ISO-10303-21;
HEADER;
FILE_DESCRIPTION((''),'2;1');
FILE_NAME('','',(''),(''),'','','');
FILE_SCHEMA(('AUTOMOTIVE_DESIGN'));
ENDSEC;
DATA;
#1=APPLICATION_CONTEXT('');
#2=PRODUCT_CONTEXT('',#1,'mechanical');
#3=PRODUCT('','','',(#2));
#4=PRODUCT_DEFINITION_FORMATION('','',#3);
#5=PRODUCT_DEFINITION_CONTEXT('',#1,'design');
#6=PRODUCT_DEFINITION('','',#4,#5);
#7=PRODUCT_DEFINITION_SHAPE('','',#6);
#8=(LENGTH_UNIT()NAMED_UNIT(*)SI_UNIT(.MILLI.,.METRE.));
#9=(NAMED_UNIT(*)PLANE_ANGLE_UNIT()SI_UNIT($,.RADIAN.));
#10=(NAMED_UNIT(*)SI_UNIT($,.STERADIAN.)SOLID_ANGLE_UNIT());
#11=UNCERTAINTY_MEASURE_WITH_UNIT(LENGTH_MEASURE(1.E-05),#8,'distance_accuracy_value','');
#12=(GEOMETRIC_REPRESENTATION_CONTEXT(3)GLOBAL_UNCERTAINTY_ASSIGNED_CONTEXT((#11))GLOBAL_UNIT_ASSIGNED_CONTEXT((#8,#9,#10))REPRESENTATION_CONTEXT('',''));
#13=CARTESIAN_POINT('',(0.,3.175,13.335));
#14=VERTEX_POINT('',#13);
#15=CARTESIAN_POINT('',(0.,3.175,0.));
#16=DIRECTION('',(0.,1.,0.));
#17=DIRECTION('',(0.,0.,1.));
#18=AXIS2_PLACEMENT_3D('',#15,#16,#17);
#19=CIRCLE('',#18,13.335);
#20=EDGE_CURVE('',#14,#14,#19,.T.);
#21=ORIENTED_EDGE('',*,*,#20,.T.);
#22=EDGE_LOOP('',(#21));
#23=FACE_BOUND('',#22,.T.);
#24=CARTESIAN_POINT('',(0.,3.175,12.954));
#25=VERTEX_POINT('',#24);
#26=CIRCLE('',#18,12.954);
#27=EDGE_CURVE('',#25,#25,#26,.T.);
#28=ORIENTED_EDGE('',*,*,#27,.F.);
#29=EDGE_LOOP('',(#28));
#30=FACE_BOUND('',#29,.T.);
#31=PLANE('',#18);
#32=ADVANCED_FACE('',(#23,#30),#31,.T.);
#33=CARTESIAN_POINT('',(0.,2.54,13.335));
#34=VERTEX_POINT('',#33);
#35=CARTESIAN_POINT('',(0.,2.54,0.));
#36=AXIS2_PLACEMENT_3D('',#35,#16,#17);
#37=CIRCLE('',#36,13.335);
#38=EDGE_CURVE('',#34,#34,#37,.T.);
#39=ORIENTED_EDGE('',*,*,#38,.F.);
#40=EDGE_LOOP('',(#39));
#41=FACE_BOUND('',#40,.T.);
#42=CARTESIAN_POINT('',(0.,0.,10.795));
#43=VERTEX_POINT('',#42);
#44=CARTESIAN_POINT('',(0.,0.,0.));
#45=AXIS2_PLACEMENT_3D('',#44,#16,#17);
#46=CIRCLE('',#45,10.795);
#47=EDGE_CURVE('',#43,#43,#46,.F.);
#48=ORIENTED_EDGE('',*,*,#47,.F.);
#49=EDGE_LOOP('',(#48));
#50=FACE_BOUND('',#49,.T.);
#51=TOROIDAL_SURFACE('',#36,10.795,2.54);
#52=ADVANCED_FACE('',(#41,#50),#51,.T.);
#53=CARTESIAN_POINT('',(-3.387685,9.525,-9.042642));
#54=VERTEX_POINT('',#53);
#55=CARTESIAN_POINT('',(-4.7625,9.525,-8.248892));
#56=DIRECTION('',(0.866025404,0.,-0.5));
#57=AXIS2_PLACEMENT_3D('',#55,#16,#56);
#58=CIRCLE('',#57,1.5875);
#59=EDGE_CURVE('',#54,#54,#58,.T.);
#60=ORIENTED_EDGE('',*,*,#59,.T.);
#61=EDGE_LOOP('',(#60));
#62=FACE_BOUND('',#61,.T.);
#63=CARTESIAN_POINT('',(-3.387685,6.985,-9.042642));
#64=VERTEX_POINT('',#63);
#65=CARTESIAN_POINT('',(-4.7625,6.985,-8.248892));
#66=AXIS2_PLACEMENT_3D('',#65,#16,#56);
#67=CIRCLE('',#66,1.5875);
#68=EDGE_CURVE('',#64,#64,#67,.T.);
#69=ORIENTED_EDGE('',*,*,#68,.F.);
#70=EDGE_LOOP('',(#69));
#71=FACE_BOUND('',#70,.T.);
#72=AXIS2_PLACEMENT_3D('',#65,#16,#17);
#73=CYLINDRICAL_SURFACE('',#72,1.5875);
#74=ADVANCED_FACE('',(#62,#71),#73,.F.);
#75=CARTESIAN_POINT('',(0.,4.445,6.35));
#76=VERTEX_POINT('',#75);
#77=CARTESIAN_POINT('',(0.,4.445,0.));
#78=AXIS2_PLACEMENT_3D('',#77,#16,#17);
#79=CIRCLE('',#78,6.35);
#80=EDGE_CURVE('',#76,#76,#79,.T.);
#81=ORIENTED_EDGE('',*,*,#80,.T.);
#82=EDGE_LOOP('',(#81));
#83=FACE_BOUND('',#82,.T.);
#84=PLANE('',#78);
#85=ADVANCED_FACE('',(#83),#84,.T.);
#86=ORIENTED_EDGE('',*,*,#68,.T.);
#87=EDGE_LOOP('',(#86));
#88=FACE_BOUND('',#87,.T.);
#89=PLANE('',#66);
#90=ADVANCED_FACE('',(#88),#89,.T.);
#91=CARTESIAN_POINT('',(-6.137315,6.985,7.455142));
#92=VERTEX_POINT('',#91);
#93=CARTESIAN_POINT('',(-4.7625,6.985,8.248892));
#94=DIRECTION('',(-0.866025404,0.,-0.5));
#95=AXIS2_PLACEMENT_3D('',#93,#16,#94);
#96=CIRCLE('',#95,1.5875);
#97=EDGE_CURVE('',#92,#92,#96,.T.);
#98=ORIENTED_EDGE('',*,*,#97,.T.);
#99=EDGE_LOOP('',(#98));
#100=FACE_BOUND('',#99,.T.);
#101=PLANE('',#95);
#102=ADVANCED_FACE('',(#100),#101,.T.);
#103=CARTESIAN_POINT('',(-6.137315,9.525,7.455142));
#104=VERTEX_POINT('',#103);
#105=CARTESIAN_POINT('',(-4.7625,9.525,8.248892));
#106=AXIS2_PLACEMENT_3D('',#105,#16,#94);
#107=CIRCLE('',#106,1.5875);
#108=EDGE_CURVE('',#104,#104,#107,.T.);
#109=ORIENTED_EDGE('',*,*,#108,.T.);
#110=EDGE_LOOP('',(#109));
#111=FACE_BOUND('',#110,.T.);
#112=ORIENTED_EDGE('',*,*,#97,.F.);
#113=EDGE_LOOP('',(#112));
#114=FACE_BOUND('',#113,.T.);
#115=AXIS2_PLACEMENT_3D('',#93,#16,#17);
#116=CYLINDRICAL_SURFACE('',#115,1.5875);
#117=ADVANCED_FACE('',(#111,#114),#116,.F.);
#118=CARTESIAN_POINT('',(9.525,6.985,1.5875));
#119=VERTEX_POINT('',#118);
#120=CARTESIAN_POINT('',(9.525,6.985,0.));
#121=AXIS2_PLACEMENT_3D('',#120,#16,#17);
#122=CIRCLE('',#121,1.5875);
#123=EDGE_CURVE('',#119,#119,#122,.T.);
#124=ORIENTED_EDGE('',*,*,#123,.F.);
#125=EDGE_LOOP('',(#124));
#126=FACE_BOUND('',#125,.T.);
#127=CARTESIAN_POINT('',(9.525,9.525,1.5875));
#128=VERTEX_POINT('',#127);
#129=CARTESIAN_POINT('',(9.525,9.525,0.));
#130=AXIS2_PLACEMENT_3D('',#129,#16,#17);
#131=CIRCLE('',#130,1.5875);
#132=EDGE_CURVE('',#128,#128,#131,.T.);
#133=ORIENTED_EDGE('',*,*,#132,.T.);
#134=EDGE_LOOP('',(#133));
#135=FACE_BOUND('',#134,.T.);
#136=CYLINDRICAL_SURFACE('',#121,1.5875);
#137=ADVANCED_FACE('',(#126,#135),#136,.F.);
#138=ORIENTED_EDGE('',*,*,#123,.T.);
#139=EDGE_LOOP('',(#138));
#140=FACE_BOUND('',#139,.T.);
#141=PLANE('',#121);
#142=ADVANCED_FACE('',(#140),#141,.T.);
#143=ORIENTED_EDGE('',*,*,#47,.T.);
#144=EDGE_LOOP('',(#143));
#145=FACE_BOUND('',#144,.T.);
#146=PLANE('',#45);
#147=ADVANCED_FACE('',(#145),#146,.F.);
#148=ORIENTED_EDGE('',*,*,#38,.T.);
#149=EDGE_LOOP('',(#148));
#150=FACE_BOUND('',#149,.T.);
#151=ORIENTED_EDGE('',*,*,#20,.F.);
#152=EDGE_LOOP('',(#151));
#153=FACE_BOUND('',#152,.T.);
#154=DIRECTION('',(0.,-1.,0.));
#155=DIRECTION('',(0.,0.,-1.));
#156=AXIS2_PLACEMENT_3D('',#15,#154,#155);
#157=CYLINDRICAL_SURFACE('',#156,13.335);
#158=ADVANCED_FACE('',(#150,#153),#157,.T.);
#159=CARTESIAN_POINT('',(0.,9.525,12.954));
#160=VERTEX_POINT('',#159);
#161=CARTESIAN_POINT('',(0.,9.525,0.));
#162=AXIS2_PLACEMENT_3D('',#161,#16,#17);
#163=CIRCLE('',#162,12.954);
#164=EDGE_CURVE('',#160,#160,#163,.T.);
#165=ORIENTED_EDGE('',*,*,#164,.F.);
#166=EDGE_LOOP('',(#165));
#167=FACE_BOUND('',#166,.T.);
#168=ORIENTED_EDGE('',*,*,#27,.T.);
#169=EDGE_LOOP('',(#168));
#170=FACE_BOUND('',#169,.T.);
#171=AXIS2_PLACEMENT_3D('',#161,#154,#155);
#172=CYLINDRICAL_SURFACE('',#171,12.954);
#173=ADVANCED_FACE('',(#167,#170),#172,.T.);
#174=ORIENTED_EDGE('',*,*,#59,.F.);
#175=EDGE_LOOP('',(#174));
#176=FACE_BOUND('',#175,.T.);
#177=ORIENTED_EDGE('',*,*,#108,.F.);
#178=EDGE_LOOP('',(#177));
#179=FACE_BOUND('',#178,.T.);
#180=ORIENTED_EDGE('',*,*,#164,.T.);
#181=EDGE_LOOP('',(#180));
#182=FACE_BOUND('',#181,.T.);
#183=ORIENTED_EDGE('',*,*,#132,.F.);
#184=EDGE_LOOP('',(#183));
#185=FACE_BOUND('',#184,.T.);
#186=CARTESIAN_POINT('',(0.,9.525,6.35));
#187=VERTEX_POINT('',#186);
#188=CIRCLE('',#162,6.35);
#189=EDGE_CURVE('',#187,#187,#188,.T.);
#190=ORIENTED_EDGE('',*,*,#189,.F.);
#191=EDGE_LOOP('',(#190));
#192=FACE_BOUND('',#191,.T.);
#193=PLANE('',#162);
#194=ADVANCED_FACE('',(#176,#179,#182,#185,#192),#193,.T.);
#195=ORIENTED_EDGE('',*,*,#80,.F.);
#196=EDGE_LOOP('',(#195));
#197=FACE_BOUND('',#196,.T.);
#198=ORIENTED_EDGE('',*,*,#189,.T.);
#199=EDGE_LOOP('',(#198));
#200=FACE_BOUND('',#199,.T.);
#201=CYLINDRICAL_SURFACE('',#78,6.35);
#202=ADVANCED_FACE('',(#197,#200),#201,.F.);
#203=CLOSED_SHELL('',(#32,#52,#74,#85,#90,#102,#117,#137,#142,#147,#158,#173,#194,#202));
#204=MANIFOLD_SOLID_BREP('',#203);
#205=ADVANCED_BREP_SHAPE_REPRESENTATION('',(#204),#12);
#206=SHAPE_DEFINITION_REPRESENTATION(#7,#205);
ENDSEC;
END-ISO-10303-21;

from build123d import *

# Parameters (mm, degrees)
SKETCH1_R           = 13.335
BOSS_EXTRUDE1_DEPTH = 3.175
SKETCH2_R           = 12.954
BOSS_EXTRUDE2_DEPTH = 6.35
SKETCH3_R           = 6.35
CUT_EXTRUDE2_DEPTH  = 5.08
SKETCH4_R           = 1.5875
CUT_EXTRUDE3_DEPTH  = 2.54
CIRPATTERN1_COUNT   = 3
FILLET1_R           = 2.54


with BuildPart() as part:
    # Sketch1 → Boss-Extrude1 (new body)
    with BuildSketch(Plane(origin=(0, 0, 0), x_dir=(1, 0, 0), z_dir=(0, 1, 0))):
        Circle(SKETCH1_R)
    extrude(amount=BOSS_EXTRUDE1_DEPTH)

    # Sketch2 → Boss-Extrude2 (add)
    with BuildSketch(Plane(origin=(0, 3.175, 0), x_dir=(1, 0, 0), z_dir=(0, 1, 0))):
        Circle(SKETCH2_R)
    extrude(amount=BOSS_EXTRUDE2_DEPTH)

    # Sketch3 → Cut-Extrude2 (cut)
    with BuildSketch(Plane(origin=(0, 9.525, 0), x_dir=(1, 0, 0), z_dir=(0, 1, 0))):
        Circle(SKETCH3_R)
    extrude(amount=-CUT_EXTRUDE2_DEPTH, mode=Mode.SUBTRACT)

    # Sketch4 → Cut-Extrude3 (cut)
    with BuildSketch(Plane(origin=(0, 9.525, 0), x_dir=(1, 0, 0), z_dir=(0, 1, 0))):
        with Locations((9.525, 0)):
            Circle(SKETCH4_R)
    cut_extrude3 = extrude(amount=-CUT_EXTRUDE3_DEPTH, mode=Mode.SUBTRACT)

    # CirPattern1: Cut-Extrude3 ×3 about axis
    cirpattern1_axis = Axis((0, 4.445, 0), (0, 1, 0))
    for i in range(1, CIRPATTERN1_COUNT):
        add(cut_extrude3.rotate(cirpattern1_axis, i * 360 / CIRPATTERN1_COUNT), mode=Mode.SUBTRACT)

    # Fillet1
    fillet1_edges = [part.edges().sort_by_distance(p)[0] for p in [
        (-13.335, 0, 0),
    ]]
    fillet(fillet1_edges, radius=FILLET1_R)


solid = part.part
